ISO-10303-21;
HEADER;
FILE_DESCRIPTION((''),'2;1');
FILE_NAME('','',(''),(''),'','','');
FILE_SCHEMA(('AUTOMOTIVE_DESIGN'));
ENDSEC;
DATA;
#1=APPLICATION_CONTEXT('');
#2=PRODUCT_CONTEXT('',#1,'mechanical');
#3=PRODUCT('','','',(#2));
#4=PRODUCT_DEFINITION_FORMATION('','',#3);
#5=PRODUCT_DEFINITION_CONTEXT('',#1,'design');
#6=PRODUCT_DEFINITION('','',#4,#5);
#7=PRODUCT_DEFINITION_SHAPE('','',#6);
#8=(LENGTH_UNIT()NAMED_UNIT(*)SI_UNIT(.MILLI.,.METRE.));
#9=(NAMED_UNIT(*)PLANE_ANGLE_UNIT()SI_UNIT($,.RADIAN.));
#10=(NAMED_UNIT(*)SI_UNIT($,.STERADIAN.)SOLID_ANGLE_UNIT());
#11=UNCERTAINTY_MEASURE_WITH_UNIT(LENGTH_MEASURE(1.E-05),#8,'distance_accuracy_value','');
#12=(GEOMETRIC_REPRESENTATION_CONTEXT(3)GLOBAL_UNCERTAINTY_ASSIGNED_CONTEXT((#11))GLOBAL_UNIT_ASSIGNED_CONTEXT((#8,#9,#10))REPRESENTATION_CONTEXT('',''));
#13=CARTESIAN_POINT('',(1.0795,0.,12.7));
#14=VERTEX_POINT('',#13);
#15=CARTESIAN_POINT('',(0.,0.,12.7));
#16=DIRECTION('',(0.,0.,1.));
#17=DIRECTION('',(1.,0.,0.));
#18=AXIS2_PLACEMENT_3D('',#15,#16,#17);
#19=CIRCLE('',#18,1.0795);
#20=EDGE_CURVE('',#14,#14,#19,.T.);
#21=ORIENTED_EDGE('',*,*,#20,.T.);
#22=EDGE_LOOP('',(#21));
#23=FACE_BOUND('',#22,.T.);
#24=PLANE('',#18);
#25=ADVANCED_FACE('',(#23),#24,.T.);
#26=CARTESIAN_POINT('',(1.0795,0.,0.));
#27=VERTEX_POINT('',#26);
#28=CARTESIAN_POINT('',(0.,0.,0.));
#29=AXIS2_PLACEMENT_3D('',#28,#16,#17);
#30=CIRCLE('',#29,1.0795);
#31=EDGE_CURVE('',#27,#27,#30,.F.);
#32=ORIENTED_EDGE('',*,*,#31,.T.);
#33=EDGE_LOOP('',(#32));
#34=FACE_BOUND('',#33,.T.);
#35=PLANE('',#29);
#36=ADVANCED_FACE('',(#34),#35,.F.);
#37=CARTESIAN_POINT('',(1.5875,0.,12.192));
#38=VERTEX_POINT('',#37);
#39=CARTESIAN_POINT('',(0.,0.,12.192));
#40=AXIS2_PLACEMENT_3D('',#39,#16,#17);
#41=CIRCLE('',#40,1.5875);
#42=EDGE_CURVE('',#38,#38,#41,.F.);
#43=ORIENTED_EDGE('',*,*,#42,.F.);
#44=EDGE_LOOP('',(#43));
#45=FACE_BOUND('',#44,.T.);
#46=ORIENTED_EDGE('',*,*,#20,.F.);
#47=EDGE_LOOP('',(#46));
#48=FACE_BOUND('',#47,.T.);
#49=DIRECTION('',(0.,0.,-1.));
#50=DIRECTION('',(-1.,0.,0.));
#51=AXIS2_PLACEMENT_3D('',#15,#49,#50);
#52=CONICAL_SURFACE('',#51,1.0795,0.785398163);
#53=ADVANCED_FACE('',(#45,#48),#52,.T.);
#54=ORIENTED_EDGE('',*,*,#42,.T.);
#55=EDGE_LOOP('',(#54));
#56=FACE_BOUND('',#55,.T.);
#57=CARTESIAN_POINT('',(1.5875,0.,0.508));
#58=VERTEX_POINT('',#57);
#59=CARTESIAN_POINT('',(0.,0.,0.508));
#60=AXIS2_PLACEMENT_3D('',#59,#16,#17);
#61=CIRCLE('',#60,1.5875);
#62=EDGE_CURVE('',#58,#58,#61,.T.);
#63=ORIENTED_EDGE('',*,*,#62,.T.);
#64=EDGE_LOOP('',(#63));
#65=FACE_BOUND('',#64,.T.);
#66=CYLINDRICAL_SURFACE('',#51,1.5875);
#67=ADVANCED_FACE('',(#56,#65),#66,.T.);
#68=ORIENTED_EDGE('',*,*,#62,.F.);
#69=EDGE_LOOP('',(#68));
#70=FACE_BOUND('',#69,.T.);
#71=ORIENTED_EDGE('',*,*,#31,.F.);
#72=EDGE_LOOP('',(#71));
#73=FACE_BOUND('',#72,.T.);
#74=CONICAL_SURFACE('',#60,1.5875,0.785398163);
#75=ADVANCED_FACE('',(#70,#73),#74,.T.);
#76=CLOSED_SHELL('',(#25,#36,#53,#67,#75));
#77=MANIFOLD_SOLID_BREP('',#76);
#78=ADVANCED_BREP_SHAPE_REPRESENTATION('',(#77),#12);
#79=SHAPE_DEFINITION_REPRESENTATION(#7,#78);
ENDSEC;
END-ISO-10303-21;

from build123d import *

# Parameters (mm, degrees)
SKETCH1_R           = 1.5875
BOSS_EXTRUDE1_DEPTH = 12.7
CHAMFER1_SIZE       = 0.508


with BuildPart() as part:
    # Sketch1 → Boss-Extrude1 (new body)
    with BuildSketch(Plane.XY):
        Circle(SKETCH1_R)
    extrude(amount=BOSS_EXTRUDE1_DEPTH)

    # Chamfer1
    chamfer1_edges = [part.edges().sort_by_distance(p)[0] for p in [
        (-1.5875, 0, 0),
        (-1.5875, 0, 12.7),
    ]]
    chamfer(chamfer1_edges, length=CHAMFER1_SIZE)


solid = part.part
